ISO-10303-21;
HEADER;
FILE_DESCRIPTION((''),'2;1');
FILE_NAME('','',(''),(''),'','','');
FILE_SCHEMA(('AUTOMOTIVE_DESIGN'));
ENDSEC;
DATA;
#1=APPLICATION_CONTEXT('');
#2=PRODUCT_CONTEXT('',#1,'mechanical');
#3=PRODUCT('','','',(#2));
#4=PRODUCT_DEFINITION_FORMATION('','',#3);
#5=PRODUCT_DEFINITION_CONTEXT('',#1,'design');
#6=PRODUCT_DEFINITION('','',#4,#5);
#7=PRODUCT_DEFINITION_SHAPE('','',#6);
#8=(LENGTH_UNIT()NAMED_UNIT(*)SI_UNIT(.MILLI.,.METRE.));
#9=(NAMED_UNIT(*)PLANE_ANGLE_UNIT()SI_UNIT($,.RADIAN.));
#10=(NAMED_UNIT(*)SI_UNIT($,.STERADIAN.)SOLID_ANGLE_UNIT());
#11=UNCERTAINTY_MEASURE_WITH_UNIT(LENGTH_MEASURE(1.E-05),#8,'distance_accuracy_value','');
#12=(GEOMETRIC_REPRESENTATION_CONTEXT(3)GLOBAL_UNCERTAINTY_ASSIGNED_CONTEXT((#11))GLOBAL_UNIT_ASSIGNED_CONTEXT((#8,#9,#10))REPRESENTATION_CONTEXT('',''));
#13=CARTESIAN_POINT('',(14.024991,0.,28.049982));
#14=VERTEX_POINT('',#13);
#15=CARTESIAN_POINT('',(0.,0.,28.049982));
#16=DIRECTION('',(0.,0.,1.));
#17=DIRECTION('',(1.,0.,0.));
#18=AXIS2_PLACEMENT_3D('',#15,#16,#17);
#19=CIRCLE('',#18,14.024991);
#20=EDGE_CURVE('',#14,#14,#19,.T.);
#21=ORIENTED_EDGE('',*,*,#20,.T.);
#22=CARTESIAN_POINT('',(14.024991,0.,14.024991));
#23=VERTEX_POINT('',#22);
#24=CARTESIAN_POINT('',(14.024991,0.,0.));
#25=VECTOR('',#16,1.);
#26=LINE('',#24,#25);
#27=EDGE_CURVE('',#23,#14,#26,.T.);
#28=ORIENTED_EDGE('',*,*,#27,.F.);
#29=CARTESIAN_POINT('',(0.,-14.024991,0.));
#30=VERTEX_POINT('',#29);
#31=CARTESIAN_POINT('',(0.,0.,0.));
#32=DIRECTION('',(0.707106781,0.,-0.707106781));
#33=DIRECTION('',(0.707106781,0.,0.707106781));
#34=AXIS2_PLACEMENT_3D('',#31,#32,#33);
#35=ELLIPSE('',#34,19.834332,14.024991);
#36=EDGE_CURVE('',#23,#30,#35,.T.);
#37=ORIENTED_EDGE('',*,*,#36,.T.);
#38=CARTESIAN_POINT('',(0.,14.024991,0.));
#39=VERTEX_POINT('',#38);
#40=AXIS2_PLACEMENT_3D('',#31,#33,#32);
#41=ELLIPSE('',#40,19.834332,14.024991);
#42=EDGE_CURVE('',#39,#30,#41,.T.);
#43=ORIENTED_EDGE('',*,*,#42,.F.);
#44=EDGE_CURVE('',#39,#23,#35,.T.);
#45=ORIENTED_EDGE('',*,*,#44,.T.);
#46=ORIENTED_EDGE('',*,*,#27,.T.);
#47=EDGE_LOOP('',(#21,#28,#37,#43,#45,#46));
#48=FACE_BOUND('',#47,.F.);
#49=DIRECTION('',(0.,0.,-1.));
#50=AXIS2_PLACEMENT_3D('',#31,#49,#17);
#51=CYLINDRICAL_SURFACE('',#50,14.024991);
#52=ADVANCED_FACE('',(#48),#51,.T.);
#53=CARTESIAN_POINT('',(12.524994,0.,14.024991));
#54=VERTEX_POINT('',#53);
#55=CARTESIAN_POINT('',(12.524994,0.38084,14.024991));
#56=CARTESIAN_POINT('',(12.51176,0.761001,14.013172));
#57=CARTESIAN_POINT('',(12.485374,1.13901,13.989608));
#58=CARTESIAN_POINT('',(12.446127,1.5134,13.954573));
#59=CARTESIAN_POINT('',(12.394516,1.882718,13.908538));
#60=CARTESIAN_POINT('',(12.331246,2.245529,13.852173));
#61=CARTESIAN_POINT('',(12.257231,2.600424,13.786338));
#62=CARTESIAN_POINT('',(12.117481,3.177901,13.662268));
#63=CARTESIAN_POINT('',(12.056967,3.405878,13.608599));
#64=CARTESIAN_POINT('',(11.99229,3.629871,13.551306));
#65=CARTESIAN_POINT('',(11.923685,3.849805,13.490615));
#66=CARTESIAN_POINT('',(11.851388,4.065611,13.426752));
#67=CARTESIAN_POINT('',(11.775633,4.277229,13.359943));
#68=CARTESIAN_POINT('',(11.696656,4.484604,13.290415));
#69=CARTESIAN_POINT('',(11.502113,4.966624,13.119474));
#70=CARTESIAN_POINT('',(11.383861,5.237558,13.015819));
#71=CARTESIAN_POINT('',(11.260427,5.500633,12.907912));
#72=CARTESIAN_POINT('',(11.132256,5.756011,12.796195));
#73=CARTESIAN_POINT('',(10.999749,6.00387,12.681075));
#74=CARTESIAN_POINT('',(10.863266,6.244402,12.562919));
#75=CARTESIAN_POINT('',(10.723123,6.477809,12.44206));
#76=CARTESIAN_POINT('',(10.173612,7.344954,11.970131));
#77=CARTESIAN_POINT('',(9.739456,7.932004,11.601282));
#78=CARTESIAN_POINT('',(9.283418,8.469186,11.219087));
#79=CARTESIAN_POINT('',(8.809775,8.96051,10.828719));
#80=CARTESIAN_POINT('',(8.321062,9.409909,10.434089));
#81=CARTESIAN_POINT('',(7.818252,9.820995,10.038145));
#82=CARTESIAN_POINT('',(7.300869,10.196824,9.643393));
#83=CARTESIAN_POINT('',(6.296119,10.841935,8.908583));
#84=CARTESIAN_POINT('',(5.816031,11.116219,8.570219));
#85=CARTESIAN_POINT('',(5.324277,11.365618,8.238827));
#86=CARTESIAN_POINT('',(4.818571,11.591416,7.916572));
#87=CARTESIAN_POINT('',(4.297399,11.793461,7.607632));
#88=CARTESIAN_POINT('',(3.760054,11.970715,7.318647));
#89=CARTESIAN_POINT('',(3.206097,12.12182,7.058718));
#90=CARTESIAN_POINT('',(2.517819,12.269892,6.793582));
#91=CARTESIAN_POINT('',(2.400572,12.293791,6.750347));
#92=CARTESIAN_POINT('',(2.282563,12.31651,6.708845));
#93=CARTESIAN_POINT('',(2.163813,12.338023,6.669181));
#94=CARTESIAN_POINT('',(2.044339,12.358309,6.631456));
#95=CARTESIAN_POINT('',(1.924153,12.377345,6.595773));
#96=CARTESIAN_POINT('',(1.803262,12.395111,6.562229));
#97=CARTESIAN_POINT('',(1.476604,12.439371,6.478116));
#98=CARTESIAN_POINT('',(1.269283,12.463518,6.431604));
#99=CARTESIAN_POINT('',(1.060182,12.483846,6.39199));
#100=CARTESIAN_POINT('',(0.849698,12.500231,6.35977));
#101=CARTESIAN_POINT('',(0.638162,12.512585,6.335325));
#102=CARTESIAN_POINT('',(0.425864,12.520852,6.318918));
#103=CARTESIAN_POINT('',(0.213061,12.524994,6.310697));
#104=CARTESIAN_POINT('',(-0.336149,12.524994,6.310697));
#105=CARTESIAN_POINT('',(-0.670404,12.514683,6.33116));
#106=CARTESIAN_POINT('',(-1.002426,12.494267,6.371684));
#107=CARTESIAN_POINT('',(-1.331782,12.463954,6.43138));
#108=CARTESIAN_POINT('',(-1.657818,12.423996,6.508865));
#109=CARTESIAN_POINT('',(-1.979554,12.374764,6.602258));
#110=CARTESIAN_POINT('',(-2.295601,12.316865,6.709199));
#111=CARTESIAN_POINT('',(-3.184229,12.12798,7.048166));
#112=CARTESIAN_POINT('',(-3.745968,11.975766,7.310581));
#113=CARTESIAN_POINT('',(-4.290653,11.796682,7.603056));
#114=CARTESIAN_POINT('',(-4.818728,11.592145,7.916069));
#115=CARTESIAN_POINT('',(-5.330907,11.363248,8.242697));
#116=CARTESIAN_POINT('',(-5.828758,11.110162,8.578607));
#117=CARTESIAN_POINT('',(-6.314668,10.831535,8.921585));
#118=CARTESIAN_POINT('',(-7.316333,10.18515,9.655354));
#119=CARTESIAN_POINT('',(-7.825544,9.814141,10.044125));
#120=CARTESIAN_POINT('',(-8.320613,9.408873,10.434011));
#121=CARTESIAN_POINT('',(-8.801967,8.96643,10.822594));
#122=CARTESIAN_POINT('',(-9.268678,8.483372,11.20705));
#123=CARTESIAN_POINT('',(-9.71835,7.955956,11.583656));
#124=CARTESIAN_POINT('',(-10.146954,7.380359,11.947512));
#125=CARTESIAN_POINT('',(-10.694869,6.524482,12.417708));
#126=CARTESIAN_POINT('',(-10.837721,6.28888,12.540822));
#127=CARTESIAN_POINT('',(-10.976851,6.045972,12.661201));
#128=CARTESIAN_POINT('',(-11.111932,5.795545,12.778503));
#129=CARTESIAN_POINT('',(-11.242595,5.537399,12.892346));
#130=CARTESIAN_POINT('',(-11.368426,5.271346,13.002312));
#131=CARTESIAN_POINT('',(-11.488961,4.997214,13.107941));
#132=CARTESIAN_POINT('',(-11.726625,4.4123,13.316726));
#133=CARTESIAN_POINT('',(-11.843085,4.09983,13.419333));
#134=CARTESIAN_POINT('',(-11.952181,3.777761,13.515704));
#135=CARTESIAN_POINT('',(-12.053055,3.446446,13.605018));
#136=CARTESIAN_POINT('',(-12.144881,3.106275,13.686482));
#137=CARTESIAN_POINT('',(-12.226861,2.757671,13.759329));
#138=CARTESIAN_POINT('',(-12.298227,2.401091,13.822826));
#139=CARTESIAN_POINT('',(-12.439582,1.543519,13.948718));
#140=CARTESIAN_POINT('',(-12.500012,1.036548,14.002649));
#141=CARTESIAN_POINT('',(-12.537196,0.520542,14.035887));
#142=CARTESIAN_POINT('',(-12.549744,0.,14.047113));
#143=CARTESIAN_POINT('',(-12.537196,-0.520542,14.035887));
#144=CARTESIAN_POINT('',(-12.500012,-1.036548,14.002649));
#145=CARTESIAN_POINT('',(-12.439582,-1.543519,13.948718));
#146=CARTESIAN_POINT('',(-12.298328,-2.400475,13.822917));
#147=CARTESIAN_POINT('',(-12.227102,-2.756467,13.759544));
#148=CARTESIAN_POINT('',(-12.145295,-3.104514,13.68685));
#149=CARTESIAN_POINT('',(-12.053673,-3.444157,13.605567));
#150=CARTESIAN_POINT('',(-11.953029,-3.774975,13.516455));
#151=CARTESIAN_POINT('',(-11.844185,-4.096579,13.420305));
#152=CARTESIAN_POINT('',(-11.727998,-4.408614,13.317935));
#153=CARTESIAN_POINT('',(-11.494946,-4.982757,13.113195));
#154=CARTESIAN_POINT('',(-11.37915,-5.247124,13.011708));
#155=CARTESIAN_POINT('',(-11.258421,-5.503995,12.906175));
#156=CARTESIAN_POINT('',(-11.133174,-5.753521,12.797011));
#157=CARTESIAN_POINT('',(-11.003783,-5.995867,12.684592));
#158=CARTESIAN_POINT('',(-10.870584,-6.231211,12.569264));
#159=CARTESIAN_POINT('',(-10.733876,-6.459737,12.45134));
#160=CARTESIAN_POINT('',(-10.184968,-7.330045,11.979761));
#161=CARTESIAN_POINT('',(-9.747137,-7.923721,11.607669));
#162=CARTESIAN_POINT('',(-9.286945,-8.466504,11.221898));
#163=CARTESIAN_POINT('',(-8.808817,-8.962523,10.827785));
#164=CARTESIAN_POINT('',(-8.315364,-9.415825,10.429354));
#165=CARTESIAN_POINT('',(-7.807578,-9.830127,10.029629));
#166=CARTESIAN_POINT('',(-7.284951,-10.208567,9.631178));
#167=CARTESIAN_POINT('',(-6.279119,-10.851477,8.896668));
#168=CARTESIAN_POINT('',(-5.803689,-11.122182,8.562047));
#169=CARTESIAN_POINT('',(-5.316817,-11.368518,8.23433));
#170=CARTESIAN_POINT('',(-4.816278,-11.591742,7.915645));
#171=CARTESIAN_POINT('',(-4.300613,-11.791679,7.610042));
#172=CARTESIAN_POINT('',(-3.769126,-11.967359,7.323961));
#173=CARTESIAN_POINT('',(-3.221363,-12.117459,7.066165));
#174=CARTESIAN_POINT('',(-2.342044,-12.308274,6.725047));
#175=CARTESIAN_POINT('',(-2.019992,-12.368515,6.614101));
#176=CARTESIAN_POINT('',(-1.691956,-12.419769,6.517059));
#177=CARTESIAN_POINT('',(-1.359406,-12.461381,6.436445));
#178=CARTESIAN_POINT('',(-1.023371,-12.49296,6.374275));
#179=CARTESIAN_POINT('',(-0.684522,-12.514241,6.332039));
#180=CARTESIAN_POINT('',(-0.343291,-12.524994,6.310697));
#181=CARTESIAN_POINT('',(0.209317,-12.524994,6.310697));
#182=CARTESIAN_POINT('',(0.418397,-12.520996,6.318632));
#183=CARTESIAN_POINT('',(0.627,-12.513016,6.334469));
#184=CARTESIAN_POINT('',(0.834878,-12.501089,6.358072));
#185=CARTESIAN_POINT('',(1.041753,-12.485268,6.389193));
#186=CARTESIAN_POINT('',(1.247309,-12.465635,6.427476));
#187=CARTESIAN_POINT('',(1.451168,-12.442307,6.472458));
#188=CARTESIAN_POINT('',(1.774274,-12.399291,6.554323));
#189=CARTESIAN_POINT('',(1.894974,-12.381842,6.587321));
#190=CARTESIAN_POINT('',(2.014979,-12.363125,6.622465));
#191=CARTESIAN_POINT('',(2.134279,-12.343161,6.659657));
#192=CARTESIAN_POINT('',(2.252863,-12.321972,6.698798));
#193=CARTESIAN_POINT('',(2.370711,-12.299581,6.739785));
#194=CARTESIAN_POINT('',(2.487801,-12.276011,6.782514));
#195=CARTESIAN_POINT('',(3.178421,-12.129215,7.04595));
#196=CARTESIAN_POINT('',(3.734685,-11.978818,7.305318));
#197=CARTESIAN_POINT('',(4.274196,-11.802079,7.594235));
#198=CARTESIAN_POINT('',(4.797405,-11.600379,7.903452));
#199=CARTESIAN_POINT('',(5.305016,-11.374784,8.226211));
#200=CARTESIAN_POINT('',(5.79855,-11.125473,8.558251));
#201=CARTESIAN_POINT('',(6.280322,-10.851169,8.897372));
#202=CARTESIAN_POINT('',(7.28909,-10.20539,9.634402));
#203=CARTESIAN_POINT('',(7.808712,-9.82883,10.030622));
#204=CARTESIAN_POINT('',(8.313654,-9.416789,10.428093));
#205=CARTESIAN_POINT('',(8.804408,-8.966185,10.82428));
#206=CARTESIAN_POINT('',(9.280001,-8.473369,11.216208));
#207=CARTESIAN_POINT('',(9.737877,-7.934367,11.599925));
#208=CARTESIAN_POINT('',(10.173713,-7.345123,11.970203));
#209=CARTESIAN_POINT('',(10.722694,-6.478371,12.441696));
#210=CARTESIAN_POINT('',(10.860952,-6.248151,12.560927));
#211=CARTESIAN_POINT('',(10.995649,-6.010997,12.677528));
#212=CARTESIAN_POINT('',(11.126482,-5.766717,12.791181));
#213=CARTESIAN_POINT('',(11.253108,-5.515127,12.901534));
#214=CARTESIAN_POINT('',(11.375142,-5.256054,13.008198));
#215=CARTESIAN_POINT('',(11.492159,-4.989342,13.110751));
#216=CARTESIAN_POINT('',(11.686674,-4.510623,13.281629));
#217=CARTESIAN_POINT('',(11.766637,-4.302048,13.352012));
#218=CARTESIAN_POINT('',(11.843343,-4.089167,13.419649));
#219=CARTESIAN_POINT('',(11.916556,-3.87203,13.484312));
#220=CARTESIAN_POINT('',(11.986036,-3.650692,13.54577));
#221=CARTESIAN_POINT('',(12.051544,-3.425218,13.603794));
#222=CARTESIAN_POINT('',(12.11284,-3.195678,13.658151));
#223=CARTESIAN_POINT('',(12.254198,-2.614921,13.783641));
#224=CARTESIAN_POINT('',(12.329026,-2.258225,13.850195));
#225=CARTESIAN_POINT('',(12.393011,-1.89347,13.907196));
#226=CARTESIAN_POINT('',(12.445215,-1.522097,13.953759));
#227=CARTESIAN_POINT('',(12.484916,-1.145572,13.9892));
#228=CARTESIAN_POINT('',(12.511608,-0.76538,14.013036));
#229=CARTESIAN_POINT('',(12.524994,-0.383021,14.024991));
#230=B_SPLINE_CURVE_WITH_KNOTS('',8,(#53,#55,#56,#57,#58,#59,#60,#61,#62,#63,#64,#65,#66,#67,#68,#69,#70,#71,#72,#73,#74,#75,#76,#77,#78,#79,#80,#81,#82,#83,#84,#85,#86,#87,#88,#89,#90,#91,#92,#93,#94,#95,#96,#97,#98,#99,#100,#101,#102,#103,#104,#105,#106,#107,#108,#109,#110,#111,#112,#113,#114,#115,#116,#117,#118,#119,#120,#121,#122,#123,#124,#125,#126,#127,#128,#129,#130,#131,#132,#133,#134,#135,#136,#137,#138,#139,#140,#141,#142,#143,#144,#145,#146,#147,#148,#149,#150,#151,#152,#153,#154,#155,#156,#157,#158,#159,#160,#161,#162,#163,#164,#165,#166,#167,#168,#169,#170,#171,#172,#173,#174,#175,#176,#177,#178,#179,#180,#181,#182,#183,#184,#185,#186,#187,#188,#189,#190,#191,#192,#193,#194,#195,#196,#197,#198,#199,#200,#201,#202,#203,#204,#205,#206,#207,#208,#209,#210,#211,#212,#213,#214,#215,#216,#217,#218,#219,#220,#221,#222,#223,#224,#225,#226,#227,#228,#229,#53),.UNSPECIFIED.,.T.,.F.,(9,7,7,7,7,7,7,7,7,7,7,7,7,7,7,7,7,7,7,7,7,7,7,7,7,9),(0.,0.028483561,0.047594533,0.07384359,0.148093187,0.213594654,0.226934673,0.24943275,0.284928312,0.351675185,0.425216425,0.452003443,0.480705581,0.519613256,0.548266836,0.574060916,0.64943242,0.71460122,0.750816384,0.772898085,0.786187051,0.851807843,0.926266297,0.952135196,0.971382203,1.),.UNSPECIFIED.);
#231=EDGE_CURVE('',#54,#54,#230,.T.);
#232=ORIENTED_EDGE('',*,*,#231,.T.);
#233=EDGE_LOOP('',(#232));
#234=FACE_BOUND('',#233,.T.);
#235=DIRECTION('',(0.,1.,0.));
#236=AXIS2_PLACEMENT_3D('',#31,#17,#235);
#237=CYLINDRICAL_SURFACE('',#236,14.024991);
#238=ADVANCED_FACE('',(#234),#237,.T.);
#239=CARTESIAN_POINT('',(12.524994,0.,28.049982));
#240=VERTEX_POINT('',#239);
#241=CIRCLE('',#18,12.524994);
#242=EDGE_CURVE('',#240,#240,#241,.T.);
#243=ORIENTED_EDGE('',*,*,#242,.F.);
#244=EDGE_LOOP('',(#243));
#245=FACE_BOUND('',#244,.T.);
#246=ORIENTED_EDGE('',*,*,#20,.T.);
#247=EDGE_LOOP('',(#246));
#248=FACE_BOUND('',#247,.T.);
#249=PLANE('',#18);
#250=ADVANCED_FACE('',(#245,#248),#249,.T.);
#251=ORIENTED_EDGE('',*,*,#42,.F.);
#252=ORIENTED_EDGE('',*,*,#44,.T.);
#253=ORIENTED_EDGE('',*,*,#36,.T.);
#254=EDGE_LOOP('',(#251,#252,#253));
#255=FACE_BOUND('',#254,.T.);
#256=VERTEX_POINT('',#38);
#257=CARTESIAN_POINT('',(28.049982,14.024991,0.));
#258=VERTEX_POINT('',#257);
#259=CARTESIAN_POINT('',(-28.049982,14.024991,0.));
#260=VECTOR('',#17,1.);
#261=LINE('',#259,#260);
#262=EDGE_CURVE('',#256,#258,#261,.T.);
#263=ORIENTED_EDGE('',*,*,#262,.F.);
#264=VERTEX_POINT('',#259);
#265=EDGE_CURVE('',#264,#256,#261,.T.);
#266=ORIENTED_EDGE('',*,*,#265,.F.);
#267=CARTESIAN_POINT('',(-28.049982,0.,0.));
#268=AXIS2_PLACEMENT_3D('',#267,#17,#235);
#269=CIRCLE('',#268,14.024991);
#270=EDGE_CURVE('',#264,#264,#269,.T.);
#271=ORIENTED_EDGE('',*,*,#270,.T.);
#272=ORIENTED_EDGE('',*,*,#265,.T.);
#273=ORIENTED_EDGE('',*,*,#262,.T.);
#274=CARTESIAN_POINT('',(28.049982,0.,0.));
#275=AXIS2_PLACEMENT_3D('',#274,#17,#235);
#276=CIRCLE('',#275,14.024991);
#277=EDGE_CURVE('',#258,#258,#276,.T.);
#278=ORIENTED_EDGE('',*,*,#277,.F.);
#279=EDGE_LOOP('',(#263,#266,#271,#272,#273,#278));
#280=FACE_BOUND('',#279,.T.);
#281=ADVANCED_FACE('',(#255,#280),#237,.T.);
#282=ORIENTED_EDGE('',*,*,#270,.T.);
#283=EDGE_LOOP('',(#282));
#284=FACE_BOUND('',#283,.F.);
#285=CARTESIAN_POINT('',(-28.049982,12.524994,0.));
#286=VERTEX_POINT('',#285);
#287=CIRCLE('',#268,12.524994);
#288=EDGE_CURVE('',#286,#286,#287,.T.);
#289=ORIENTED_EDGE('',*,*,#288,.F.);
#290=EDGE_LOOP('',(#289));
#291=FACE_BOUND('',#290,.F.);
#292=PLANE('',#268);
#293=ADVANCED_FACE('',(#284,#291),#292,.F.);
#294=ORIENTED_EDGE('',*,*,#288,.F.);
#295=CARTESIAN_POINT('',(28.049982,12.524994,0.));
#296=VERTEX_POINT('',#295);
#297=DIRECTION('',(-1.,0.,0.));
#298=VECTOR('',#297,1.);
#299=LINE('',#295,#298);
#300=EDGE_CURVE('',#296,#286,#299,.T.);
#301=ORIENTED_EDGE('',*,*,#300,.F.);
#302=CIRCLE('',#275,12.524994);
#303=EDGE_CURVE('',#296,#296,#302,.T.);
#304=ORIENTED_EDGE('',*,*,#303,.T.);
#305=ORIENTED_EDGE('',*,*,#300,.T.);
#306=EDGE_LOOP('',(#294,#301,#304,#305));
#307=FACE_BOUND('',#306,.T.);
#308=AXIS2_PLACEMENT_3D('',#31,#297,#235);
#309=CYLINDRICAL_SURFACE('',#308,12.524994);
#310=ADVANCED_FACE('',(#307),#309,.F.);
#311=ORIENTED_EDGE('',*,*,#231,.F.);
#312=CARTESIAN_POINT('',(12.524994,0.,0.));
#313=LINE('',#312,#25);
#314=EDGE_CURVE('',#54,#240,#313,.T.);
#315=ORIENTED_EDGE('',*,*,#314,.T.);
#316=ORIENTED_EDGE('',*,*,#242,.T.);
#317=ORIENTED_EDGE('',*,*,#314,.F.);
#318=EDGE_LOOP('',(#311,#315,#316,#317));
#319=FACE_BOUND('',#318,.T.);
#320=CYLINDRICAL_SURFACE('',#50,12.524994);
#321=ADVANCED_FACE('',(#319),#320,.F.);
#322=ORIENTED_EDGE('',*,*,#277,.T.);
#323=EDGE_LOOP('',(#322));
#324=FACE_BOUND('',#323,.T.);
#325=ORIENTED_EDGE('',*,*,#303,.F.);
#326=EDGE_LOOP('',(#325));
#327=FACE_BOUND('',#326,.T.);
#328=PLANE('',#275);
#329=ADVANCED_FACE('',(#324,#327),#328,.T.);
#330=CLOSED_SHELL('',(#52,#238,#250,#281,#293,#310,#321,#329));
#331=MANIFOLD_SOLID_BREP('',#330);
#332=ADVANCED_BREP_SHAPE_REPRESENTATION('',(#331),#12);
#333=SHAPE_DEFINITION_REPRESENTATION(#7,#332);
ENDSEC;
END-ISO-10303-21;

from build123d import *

# Parameters (mm, degrees)
F0_R     = 14.024991
F0_R_2   = 12.524994
F1_DEPTH = 28.049982
F2_R     = 14.024991
F2_R_2   = 12.524994
F3_DEPTH = 28.049982
F4_DEPTH = 25.4


with BuildPart() as f1:
    # F0 (on Right) → F1 (new body, symmetric)
    with BuildSketch(Plane.YZ):
        Circle(F0_R)
        Circle(F0_R_2, mode=Mode.SUBTRACT)
    extrude(amount=F1_DEPTH, both=True)

    # F2 (on Top) → F3 (join)
    with BuildSketch(Plane.XY):
        Circle(F2_R)
        Circle(F2_R_2, mode=Mode.SUBTRACT)
    extrude(amount=F3_DEPTH)

    # F0 (on Right) → F4 (cut, symmetric)
    with BuildSketch(Plane.YZ):
        Circle(F0_R_2)
    extrude(amount=F4_DEPTH, both=True, mode=Mode.SUBTRACT)


solid = f1.part
